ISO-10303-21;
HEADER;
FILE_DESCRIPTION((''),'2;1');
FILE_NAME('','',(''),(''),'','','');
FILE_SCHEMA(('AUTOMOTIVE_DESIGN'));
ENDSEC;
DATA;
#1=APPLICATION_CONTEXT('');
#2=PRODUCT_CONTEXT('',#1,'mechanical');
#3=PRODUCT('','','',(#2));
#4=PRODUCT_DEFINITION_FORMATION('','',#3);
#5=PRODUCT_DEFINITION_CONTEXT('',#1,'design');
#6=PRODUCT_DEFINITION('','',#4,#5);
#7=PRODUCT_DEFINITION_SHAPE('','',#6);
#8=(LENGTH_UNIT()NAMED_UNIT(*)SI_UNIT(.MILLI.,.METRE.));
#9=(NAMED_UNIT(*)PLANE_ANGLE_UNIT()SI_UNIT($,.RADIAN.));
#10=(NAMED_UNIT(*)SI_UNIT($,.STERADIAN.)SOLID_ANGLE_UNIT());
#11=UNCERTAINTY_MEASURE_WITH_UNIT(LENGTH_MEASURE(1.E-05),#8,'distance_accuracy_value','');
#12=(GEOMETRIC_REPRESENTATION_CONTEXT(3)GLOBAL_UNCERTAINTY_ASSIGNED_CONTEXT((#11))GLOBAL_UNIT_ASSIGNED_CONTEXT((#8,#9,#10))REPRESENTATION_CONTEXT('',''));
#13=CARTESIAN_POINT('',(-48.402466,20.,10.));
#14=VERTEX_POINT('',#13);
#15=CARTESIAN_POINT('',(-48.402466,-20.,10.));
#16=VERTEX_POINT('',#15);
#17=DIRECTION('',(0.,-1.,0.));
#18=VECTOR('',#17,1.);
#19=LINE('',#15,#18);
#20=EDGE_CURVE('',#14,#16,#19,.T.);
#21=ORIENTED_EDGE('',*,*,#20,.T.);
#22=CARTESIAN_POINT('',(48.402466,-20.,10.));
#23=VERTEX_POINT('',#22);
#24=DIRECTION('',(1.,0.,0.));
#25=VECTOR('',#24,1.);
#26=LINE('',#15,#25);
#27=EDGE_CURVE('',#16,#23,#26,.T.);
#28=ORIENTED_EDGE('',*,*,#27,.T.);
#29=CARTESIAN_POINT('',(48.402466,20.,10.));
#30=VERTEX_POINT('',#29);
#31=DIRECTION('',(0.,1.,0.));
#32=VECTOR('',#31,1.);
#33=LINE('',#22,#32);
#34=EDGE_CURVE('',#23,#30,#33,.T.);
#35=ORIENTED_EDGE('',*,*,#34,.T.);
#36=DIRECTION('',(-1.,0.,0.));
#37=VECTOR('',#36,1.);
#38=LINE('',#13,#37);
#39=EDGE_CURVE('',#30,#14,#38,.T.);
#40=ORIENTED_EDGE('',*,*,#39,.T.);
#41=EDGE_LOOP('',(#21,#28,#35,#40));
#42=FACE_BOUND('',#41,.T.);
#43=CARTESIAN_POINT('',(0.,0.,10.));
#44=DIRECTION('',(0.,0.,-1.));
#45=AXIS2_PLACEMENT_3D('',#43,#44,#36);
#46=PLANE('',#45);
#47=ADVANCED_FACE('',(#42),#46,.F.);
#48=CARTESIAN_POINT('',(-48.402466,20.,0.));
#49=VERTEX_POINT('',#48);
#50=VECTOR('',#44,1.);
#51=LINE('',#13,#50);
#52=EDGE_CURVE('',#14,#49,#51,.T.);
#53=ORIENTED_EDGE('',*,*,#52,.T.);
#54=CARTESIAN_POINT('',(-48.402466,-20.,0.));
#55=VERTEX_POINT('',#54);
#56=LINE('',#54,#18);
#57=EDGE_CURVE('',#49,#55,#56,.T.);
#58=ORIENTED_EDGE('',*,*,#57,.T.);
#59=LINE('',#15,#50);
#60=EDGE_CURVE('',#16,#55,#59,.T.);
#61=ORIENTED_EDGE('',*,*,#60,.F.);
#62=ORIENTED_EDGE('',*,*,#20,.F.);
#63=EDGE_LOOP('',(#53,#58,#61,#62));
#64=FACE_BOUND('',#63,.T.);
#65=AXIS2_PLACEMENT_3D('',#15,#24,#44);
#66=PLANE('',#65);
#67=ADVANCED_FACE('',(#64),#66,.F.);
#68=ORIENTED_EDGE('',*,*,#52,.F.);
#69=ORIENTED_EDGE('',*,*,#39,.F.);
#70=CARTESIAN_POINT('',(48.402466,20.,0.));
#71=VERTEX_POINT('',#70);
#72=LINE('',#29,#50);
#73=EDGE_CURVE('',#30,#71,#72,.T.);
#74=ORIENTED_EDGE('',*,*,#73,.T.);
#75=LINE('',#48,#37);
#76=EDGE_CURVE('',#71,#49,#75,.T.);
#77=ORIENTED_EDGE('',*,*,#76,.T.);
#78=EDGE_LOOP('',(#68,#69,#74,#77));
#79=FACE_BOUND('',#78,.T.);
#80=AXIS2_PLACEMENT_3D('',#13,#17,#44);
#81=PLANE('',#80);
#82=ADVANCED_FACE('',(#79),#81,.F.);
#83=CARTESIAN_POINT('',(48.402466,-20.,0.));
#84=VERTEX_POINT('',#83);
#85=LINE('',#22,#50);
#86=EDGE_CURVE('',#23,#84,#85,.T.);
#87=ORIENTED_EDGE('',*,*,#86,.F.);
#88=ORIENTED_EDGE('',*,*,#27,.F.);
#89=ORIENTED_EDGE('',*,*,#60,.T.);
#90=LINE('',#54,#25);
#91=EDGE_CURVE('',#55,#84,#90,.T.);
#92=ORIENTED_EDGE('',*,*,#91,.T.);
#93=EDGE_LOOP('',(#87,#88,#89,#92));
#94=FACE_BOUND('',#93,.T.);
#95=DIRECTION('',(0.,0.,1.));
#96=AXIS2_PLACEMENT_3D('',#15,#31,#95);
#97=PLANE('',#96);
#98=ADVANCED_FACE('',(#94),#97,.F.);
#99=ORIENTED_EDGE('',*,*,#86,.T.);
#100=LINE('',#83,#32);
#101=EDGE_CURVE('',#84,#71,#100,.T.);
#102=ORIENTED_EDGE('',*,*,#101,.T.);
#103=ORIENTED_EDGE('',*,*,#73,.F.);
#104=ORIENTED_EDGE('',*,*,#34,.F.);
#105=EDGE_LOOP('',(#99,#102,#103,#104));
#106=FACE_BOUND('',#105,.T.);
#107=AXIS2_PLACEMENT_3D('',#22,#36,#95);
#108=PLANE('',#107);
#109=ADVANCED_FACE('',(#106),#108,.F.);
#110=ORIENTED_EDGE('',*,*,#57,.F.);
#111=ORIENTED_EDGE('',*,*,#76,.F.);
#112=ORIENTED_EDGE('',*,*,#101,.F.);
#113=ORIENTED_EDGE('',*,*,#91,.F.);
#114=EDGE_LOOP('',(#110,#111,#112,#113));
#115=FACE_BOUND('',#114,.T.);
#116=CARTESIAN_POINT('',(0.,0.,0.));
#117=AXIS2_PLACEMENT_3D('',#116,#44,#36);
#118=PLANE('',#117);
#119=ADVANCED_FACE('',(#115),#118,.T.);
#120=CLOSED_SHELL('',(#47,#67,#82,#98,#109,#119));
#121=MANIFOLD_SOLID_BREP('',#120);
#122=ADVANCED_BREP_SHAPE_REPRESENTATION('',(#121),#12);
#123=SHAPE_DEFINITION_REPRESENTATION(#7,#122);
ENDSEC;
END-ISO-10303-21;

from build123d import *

# Parameters (mm, degrees)
CROQUIS1_W              = 96.804931296
CROQUIS1_H              = 40
SALIENTE_EXTRUIR1_DEPTH = 10


with BuildPart() as part:
    # Croquis1 → Saliente-Extruir1 (new body)
    with BuildSketch(Plane.XY):
        Rectangle(CROQUIS1_W, CROQUIS1_H)
    extrude(amount=SALIENTE_EXTRUIR1_DEPTH)


solid = part.part
